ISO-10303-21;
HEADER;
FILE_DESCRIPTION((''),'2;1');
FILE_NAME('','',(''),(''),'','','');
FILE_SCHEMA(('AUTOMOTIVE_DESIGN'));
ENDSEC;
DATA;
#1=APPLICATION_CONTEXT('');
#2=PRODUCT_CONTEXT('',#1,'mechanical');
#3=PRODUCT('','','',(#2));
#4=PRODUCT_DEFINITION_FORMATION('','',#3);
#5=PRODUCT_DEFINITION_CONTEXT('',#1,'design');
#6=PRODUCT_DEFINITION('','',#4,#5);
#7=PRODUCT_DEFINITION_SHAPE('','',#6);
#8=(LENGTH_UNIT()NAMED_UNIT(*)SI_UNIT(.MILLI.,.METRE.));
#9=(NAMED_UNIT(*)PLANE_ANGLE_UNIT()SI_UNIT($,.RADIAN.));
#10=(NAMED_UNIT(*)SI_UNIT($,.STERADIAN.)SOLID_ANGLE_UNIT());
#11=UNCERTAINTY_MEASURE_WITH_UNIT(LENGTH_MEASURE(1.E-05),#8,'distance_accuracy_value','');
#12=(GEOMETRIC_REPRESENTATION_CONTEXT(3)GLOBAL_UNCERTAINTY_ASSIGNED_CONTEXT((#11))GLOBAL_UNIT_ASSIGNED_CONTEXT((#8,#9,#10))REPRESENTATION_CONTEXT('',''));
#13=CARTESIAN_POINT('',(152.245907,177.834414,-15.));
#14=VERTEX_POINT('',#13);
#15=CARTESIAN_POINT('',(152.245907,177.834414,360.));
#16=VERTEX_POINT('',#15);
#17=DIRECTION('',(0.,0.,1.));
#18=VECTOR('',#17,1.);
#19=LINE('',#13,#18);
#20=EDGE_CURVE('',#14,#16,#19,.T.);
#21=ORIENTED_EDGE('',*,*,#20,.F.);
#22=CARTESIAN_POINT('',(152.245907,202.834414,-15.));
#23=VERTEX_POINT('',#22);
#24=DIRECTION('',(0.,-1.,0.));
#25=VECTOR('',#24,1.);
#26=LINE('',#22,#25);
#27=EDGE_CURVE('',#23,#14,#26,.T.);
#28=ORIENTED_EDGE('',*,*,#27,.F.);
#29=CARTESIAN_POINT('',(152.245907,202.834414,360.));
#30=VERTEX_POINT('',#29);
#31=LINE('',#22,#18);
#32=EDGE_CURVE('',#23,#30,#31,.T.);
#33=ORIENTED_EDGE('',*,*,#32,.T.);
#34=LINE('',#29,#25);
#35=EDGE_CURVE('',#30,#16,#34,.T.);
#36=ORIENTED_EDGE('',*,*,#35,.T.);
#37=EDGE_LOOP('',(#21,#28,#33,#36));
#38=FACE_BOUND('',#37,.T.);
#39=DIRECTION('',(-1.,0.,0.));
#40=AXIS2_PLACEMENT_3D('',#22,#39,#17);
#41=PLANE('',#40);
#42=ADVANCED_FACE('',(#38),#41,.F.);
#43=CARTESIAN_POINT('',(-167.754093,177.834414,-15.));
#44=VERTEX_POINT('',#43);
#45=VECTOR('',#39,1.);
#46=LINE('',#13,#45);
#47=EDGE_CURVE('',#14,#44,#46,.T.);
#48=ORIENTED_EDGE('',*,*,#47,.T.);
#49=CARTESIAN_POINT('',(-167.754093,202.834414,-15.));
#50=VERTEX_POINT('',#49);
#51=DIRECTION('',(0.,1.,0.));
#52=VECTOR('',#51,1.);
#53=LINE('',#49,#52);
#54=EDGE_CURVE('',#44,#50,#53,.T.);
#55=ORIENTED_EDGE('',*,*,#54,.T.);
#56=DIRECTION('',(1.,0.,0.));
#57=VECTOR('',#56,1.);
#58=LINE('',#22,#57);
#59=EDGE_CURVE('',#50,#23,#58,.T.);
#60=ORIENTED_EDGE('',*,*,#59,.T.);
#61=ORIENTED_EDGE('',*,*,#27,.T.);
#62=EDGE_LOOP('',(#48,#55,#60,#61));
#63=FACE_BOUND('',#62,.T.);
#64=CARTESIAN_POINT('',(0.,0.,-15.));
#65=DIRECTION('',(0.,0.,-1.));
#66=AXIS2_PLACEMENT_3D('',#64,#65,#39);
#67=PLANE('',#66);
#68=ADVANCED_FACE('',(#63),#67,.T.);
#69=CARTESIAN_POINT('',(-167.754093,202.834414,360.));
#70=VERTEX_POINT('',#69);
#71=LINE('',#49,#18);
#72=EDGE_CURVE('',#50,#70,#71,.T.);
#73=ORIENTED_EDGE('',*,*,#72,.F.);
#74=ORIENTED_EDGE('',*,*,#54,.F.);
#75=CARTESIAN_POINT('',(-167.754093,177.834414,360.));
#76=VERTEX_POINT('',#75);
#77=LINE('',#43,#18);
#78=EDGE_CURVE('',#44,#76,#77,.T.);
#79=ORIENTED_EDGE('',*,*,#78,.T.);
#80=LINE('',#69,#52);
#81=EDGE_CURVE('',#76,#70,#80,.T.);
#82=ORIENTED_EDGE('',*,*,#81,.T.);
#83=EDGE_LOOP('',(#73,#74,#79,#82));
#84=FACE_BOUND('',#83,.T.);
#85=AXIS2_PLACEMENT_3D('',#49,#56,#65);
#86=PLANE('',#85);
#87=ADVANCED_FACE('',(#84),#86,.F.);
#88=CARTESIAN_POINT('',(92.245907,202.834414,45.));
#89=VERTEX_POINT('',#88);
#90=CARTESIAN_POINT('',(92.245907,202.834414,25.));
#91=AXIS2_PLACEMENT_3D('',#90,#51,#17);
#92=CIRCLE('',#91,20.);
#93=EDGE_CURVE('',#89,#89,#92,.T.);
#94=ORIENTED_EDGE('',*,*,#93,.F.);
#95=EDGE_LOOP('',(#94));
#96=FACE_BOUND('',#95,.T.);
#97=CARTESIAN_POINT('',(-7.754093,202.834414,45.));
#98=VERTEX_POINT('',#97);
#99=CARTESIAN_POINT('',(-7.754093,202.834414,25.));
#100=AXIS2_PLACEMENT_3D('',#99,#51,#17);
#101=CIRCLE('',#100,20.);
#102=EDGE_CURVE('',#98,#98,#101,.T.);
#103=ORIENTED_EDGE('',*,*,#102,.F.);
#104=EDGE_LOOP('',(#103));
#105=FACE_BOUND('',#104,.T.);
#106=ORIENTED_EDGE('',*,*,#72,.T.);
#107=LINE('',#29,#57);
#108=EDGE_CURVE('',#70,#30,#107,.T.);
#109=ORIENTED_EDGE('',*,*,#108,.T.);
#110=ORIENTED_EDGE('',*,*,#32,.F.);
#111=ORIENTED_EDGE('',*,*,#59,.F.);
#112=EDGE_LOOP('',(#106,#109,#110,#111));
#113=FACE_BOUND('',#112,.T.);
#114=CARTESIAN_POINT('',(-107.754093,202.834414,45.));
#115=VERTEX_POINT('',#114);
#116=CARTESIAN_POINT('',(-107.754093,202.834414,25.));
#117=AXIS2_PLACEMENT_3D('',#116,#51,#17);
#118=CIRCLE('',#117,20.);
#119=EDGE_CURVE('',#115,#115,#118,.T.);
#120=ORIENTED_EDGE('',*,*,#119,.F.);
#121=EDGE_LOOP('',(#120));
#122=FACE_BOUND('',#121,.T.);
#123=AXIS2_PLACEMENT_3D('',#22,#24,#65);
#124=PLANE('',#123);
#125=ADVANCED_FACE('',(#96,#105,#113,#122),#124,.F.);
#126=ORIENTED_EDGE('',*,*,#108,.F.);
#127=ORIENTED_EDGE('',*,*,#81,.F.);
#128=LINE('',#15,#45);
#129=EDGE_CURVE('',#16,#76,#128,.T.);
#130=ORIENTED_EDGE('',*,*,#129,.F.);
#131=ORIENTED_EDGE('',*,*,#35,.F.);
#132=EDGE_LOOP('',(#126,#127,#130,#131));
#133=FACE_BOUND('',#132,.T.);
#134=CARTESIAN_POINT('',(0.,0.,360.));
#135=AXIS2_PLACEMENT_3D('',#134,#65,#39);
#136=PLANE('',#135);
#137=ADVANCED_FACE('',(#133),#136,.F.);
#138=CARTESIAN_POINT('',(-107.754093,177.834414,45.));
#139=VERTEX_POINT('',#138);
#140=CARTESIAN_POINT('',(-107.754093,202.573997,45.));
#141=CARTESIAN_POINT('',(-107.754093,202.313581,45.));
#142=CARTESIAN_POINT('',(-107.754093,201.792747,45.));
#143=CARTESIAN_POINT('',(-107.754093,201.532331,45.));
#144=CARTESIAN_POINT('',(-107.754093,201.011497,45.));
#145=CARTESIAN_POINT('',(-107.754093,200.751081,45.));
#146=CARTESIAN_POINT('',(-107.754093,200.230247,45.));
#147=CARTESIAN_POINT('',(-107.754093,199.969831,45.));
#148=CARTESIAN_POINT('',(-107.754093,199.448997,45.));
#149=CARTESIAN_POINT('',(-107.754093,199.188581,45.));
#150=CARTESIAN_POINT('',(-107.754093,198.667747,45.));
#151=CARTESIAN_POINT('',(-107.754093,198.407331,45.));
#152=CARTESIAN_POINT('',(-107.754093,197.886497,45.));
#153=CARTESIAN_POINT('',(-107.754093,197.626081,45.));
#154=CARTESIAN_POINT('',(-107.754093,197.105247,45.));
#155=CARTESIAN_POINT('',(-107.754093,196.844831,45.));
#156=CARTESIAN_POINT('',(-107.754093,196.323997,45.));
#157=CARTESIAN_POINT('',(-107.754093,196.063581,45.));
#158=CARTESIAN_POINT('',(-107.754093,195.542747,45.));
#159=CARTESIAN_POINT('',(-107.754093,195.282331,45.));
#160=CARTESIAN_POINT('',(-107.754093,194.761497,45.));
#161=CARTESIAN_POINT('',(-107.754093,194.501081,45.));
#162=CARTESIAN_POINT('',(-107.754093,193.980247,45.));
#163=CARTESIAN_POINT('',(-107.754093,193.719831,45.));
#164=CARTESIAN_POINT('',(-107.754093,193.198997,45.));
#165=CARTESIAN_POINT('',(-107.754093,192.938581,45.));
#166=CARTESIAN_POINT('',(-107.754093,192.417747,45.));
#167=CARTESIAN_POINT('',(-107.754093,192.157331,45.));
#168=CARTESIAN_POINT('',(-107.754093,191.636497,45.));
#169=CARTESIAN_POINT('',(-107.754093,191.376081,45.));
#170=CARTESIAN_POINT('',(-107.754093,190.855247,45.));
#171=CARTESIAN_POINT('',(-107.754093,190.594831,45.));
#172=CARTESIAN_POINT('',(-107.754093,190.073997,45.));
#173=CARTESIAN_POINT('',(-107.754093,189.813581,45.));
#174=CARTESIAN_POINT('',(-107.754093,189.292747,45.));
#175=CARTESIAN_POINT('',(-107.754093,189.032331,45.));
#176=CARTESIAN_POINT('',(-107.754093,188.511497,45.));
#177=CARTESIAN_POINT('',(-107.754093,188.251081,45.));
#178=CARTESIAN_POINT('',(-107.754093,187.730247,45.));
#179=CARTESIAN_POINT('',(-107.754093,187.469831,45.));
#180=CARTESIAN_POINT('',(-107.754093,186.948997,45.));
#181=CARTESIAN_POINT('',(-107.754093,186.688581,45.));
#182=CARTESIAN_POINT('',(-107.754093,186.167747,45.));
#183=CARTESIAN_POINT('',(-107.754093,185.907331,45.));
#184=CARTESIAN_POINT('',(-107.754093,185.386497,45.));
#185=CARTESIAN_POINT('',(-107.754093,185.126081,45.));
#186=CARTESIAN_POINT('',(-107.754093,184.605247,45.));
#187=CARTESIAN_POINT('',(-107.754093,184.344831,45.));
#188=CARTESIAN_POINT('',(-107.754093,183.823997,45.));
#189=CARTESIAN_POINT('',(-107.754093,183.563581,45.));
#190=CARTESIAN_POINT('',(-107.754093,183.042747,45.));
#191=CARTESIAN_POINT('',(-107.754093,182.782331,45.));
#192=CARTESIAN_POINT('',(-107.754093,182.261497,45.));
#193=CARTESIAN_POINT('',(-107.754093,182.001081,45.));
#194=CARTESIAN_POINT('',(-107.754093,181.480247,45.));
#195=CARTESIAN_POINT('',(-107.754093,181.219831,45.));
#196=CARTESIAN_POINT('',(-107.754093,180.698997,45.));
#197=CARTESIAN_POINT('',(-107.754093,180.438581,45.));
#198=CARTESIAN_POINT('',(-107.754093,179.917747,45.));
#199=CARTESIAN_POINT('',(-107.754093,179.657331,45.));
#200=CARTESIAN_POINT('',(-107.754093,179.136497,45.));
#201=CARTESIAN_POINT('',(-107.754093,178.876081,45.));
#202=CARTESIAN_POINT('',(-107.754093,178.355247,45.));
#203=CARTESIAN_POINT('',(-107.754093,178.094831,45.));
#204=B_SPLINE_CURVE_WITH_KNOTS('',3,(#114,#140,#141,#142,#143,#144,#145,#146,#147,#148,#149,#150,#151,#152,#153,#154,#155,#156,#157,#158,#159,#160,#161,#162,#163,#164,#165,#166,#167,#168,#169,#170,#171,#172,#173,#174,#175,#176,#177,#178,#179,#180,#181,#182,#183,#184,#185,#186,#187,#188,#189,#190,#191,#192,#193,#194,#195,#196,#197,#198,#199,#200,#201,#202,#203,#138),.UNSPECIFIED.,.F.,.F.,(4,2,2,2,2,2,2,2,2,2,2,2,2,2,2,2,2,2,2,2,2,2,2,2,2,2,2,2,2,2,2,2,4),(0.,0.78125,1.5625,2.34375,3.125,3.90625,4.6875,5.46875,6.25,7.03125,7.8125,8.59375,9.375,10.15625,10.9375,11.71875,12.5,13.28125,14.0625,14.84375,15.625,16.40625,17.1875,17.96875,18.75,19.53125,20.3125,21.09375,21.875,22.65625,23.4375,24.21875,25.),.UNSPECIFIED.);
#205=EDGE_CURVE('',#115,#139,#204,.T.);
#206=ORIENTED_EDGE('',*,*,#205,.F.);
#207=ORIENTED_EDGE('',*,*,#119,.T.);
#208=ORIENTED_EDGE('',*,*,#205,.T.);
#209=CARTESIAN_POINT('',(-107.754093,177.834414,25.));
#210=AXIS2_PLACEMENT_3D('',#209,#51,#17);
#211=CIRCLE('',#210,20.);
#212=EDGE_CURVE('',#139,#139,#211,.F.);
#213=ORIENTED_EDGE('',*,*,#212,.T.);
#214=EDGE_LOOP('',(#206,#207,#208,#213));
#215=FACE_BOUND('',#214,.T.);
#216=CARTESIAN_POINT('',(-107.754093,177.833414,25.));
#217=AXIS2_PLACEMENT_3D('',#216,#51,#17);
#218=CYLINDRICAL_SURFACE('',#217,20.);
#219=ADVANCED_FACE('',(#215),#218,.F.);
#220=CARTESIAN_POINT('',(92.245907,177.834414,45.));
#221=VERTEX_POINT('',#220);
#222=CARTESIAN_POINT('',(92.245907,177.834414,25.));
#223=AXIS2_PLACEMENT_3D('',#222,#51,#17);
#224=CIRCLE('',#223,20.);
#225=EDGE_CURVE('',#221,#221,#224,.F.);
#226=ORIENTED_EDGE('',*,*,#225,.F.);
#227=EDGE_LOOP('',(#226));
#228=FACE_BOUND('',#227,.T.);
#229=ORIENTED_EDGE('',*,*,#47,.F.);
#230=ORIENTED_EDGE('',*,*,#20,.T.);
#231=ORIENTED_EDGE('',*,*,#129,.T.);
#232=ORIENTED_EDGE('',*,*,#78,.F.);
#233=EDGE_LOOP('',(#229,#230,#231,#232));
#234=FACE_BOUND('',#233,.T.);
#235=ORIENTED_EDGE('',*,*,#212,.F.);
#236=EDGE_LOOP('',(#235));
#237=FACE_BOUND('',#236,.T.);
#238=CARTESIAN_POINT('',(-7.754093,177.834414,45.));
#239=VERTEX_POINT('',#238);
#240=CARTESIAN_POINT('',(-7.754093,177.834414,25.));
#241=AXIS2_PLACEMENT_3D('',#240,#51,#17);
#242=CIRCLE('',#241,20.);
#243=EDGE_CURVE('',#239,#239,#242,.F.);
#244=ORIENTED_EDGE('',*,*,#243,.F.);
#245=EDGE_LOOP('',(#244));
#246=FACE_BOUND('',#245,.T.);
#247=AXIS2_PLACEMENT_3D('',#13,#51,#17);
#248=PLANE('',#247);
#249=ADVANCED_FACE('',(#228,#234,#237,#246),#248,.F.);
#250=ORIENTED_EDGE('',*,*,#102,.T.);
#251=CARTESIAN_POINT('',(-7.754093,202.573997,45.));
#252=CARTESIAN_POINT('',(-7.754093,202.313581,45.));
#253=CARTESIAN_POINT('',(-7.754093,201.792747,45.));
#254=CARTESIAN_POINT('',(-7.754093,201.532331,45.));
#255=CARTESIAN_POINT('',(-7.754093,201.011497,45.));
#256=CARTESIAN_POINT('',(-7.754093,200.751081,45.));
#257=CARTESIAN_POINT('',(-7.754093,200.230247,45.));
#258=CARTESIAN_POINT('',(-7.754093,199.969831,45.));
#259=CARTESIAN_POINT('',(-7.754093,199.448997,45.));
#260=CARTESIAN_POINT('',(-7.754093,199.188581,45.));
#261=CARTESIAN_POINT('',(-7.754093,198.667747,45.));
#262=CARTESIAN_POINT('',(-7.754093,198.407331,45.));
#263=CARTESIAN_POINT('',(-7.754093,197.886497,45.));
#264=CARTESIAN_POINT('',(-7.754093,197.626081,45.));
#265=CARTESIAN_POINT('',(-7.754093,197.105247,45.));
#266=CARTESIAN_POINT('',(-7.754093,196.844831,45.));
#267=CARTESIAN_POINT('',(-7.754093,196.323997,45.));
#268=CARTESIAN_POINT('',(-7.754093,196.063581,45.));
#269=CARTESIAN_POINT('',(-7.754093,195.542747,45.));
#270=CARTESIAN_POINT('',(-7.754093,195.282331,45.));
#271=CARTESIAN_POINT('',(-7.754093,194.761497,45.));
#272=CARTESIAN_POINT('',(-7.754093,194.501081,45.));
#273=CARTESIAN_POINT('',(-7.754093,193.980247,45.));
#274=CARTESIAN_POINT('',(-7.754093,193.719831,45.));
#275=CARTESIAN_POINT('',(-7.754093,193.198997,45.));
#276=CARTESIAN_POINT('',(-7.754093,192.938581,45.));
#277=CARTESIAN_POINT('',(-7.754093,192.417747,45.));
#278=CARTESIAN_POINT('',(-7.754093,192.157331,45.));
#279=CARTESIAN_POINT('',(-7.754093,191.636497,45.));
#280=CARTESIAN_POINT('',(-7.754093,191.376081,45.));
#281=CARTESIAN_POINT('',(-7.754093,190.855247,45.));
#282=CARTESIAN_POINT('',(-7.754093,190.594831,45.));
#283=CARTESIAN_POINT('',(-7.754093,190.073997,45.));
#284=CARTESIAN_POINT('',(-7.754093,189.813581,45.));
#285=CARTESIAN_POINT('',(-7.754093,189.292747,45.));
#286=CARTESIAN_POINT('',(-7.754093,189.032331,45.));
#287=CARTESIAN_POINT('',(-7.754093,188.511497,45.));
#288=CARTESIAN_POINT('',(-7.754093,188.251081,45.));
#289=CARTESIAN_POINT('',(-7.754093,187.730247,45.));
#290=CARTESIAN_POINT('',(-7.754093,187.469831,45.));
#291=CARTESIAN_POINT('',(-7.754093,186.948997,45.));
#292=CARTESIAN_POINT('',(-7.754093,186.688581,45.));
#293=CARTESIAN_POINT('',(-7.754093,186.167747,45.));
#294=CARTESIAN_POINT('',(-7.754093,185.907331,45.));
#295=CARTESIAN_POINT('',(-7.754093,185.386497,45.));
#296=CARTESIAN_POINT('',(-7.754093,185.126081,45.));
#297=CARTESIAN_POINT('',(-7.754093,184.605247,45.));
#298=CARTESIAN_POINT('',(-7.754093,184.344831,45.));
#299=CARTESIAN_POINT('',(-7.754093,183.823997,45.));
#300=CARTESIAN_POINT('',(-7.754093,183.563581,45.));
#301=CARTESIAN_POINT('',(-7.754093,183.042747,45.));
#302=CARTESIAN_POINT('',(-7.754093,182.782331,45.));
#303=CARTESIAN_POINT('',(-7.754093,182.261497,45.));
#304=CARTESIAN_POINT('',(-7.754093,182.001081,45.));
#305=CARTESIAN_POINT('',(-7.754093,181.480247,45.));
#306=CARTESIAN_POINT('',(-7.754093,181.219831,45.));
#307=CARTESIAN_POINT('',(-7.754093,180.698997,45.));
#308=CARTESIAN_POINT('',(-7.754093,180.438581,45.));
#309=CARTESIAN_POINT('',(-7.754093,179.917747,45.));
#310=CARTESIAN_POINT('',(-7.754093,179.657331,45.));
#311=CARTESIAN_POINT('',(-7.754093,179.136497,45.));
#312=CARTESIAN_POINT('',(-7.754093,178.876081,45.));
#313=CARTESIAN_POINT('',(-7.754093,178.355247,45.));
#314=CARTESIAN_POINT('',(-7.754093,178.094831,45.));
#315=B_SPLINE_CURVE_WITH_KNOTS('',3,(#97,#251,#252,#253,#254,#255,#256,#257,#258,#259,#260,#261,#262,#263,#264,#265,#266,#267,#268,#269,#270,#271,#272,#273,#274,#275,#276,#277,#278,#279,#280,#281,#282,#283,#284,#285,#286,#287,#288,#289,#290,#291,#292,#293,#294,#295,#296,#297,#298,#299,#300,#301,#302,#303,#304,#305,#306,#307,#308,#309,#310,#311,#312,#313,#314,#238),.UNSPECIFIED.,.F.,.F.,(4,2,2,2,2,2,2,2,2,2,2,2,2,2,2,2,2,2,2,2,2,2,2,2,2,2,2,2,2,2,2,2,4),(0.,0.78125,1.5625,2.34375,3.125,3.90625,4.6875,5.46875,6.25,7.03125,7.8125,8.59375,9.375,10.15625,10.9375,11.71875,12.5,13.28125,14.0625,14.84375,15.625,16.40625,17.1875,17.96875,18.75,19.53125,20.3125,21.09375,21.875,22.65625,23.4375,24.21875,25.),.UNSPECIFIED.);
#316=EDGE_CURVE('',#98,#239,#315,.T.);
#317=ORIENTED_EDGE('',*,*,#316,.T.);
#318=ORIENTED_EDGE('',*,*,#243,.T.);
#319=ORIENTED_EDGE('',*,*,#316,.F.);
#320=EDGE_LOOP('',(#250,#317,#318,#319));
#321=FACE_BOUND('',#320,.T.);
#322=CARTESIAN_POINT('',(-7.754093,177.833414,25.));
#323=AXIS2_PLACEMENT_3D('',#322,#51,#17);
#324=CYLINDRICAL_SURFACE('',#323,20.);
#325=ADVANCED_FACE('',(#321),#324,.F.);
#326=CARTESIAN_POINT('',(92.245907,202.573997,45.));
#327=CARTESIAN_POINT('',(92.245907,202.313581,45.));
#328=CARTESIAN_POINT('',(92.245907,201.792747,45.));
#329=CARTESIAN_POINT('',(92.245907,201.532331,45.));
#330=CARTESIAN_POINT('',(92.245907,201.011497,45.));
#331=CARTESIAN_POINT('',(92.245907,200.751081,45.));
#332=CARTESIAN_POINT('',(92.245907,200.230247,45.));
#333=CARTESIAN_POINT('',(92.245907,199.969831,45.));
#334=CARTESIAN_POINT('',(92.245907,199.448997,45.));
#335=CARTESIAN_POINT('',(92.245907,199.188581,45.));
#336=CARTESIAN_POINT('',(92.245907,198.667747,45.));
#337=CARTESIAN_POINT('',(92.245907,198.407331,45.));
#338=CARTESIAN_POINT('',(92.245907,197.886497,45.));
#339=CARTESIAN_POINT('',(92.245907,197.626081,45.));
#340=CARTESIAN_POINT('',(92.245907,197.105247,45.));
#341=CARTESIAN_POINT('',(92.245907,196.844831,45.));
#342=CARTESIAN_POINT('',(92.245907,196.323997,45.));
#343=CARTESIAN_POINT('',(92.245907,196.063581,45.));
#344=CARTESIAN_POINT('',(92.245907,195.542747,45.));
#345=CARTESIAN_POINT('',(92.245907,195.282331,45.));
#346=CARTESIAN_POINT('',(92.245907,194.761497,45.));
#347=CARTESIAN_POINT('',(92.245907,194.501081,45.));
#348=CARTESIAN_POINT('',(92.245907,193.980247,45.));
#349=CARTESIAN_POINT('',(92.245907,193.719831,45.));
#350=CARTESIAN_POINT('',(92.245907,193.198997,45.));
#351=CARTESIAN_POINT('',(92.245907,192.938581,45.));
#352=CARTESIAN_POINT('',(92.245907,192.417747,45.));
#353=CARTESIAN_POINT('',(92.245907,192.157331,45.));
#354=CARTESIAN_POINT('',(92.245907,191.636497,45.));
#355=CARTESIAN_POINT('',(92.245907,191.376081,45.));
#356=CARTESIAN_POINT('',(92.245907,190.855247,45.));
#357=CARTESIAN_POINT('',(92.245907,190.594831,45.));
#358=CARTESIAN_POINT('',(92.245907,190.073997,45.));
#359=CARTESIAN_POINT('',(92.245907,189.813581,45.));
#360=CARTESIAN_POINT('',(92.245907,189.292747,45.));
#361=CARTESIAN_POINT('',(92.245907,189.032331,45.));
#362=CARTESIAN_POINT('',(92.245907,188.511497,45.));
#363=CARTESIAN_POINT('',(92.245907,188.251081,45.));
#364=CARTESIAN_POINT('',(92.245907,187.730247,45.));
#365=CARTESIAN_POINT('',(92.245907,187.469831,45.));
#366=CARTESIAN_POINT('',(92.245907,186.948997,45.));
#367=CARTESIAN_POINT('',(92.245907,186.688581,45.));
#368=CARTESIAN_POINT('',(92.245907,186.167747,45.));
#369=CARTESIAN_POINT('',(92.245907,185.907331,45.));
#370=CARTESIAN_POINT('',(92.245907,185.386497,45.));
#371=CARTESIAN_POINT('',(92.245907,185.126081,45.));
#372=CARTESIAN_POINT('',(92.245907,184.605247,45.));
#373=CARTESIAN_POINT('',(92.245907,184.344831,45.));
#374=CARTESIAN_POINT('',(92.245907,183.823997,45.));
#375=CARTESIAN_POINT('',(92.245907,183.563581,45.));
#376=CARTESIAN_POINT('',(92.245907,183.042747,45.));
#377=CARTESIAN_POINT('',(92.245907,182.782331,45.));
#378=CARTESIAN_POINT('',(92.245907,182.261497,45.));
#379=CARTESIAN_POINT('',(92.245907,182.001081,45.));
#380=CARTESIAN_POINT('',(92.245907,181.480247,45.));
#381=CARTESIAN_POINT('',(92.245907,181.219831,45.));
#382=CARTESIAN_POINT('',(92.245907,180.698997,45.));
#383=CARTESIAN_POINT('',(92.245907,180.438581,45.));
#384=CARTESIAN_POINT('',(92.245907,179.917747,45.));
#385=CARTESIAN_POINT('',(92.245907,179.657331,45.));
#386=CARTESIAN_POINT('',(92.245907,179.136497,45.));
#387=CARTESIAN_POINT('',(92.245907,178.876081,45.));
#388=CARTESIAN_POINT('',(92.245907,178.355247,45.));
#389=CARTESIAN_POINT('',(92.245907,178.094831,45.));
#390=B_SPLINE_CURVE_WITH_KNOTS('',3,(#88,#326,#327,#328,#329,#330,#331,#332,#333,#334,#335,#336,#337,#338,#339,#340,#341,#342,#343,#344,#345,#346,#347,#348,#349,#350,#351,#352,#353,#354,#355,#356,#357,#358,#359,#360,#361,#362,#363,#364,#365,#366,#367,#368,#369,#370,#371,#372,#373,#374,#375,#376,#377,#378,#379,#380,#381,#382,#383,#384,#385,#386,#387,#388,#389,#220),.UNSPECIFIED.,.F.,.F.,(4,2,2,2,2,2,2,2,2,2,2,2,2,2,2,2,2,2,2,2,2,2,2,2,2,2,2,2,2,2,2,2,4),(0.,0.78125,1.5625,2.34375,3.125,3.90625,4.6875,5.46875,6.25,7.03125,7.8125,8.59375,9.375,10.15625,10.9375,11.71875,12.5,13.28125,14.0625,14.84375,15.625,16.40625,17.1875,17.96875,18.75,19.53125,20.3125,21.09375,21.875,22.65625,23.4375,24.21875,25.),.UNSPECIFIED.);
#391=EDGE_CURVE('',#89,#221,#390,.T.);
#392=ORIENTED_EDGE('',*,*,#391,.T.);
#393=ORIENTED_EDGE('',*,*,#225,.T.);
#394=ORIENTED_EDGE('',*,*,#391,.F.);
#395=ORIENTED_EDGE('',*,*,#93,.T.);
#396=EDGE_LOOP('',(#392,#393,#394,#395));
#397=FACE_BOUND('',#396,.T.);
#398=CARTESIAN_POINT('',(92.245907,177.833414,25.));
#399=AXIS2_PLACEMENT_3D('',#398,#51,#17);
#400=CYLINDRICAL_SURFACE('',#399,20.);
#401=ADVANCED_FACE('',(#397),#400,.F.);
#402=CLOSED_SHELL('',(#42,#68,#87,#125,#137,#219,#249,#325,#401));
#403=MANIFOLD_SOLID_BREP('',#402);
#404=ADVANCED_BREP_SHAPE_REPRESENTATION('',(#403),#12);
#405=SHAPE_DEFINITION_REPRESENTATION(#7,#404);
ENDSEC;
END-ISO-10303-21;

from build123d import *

# Parameters (mm, degrees)
CROQUIS2_W              = 320
CROQUIS2_H              = 25
SALIENTE_EXTRUIR1_DEPTH = 375
CORTAR_EXTRUIR1_REACH   = 399.953
CROQUIS3_R              = 20


with BuildPart() as part:
    # Croquis2 → Saliente-Extruir1 (new body)
    with BuildSketch(Plane(origin=(0, 0, 360), x_dir=(-1, 0, 0), z_dir=(0, 0, -1))):
        with Locations((7.754092983, 190.334413862)):
            Rectangle(CROQUIS2_W, CROQUIS2_H)
    extrude(amount=SALIENTE_EXTRUIR1_DEPTH)

    # Croquis3 → Cortar-Extruir1 (cut, up to next)
    with BuildSketch(Plane(origin=(0, 202.834413862, 0), x_dir=(1, 0, 0), z_dir=(0, 1, 0)), mode=Mode.PRIVATE) as cortar_extruir1_sk1:
        with Locations(Location((-107.754092983, -25, 0), (0, 0, 270))):
            Circle(CROQUIS3_R)
    cortar_extruir1_tool1 = extrude(cortar_extruir1_sk1.sketch, amount=-CORTAR_EXTRUIR1_REACH, mode=Mode.PRIVATE) & part.part
    # Croquis3 → Cortar-Extruir1 (cut, up to next)
    with BuildSketch(Plane(origin=(0, 202.834413862, 0), x_dir=(1, 0, 0), z_dir=(0, 1, 0)), mode=Mode.PRIVATE) as cortar_extruir1_sk2:
        with Locations(Location((-7.754092983, -25, 0), (0, 0, 270))):
            Circle(CROQUIS3_R)
    cortar_extruir1_tool2 = extrude(cortar_extruir1_sk2.sketch, amount=-CORTAR_EXTRUIR1_REACH, mode=Mode.PRIVATE) & part.part
    # Croquis3 → Cortar-Extruir1 (cut, up to next)
    with BuildSketch(Plane(origin=(0, 202.834413862, 0), x_dir=(1, 0, 0), z_dir=(0, 1, 0)), mode=Mode.PRIVATE) as cortar_extruir1_sk3:
        with Locations(Location((92.245907017, -25, 0), (0, 0, 270))):
            Circle(CROQUIS3_R)
    cortar_extruir1_tool3 = extrude(cortar_extruir1_sk3.sketch, amount=-CORTAR_EXTRUIR1_REACH, mode=Mode.PRIVATE) & part.part
    add(cortar_extruir1_tool1.solids().sort_by_distance((-107.754093, 202.834414, 25))[0], mode=Mode.SUBTRACT)
    add(cortar_extruir1_tool2.solids().sort_by_distance((-7.754093, 202.834414, 25))[0], mode=Mode.SUBTRACT)
    add(cortar_extruir1_tool3.solids().sort_by_distance((92.245907, 202.834414, 25))[0], mode=Mode.SUBTRACT)


solid = part.part
